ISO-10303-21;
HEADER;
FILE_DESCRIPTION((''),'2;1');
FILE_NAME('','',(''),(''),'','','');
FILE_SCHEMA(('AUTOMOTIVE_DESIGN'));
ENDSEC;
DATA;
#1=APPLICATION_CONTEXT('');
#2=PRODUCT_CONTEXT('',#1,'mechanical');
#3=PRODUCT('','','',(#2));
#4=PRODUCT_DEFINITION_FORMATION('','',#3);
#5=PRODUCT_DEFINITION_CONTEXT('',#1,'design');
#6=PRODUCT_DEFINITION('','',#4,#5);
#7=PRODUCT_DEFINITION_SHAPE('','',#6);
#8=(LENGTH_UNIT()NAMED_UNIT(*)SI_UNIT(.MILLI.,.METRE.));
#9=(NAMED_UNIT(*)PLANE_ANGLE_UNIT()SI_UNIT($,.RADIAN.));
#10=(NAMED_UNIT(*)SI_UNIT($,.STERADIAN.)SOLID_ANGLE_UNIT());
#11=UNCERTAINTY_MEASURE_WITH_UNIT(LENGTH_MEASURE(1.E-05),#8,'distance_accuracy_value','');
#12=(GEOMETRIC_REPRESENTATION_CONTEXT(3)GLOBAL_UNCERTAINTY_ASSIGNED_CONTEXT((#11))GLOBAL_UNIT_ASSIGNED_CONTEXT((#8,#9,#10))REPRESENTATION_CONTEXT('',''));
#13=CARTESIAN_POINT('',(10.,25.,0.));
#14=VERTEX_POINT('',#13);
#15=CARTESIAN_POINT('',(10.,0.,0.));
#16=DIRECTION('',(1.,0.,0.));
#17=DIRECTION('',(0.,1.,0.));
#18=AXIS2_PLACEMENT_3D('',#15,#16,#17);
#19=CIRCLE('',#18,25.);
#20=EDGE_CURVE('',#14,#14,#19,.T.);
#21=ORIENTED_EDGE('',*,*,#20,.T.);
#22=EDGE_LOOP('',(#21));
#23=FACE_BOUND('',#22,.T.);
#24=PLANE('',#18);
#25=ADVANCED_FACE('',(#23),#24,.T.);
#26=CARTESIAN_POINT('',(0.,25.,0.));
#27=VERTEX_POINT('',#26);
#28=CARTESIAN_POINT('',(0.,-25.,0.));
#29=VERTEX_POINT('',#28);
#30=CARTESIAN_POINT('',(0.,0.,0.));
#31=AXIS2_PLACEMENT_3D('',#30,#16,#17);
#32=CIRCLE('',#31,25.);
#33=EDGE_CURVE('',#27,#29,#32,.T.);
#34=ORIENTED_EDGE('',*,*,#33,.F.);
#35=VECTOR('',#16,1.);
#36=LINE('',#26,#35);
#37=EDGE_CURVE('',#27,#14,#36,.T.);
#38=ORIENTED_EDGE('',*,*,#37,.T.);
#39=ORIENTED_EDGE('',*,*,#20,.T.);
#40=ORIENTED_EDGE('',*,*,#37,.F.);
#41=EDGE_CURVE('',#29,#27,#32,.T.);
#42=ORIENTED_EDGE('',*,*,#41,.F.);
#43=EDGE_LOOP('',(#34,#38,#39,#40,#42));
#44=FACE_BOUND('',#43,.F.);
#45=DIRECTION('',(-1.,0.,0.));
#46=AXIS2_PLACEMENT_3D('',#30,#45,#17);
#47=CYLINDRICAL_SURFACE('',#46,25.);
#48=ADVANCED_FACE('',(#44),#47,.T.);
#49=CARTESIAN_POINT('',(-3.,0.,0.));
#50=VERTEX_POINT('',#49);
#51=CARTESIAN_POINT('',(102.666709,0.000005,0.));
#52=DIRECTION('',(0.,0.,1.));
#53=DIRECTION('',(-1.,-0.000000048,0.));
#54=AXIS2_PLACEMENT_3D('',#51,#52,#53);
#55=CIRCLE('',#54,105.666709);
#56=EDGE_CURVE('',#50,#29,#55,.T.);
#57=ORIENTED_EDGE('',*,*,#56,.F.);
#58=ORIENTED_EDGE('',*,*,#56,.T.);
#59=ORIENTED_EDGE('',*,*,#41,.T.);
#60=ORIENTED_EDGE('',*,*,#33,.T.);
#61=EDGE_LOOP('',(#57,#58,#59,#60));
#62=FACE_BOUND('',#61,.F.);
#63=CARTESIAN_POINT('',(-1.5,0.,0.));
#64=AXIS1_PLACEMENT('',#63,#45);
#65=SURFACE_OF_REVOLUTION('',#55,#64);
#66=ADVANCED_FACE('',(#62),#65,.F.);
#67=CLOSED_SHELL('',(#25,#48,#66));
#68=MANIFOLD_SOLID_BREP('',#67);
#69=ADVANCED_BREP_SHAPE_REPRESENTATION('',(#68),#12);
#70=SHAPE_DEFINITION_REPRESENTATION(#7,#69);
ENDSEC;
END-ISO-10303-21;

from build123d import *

# Parameters (mm, degrees)
F0_R     = 25
F1_DEPTH = 10


with BuildPart() as f1:
    # F0 (on Right) → F1 (new body)
    with BuildSketch(Plane.YZ):
        Circle(F0_R)
    extrude(amount=F1_DEPTH)

    # F2 (on Top) → F3 (revolve)
    with BuildSketch(Plane.XY):
        with BuildLine():
            Line((0, -25), (0, 0))
            Line((0, 0), (-3, 0))
            ThreePointArc((-3, 0), (-2.247319, -12.589678), (0, -25))
        make_face()
    revolve(axis=Axis((-1.5, 0, 0), (-1, 0, 0)))


solid = f1.part
